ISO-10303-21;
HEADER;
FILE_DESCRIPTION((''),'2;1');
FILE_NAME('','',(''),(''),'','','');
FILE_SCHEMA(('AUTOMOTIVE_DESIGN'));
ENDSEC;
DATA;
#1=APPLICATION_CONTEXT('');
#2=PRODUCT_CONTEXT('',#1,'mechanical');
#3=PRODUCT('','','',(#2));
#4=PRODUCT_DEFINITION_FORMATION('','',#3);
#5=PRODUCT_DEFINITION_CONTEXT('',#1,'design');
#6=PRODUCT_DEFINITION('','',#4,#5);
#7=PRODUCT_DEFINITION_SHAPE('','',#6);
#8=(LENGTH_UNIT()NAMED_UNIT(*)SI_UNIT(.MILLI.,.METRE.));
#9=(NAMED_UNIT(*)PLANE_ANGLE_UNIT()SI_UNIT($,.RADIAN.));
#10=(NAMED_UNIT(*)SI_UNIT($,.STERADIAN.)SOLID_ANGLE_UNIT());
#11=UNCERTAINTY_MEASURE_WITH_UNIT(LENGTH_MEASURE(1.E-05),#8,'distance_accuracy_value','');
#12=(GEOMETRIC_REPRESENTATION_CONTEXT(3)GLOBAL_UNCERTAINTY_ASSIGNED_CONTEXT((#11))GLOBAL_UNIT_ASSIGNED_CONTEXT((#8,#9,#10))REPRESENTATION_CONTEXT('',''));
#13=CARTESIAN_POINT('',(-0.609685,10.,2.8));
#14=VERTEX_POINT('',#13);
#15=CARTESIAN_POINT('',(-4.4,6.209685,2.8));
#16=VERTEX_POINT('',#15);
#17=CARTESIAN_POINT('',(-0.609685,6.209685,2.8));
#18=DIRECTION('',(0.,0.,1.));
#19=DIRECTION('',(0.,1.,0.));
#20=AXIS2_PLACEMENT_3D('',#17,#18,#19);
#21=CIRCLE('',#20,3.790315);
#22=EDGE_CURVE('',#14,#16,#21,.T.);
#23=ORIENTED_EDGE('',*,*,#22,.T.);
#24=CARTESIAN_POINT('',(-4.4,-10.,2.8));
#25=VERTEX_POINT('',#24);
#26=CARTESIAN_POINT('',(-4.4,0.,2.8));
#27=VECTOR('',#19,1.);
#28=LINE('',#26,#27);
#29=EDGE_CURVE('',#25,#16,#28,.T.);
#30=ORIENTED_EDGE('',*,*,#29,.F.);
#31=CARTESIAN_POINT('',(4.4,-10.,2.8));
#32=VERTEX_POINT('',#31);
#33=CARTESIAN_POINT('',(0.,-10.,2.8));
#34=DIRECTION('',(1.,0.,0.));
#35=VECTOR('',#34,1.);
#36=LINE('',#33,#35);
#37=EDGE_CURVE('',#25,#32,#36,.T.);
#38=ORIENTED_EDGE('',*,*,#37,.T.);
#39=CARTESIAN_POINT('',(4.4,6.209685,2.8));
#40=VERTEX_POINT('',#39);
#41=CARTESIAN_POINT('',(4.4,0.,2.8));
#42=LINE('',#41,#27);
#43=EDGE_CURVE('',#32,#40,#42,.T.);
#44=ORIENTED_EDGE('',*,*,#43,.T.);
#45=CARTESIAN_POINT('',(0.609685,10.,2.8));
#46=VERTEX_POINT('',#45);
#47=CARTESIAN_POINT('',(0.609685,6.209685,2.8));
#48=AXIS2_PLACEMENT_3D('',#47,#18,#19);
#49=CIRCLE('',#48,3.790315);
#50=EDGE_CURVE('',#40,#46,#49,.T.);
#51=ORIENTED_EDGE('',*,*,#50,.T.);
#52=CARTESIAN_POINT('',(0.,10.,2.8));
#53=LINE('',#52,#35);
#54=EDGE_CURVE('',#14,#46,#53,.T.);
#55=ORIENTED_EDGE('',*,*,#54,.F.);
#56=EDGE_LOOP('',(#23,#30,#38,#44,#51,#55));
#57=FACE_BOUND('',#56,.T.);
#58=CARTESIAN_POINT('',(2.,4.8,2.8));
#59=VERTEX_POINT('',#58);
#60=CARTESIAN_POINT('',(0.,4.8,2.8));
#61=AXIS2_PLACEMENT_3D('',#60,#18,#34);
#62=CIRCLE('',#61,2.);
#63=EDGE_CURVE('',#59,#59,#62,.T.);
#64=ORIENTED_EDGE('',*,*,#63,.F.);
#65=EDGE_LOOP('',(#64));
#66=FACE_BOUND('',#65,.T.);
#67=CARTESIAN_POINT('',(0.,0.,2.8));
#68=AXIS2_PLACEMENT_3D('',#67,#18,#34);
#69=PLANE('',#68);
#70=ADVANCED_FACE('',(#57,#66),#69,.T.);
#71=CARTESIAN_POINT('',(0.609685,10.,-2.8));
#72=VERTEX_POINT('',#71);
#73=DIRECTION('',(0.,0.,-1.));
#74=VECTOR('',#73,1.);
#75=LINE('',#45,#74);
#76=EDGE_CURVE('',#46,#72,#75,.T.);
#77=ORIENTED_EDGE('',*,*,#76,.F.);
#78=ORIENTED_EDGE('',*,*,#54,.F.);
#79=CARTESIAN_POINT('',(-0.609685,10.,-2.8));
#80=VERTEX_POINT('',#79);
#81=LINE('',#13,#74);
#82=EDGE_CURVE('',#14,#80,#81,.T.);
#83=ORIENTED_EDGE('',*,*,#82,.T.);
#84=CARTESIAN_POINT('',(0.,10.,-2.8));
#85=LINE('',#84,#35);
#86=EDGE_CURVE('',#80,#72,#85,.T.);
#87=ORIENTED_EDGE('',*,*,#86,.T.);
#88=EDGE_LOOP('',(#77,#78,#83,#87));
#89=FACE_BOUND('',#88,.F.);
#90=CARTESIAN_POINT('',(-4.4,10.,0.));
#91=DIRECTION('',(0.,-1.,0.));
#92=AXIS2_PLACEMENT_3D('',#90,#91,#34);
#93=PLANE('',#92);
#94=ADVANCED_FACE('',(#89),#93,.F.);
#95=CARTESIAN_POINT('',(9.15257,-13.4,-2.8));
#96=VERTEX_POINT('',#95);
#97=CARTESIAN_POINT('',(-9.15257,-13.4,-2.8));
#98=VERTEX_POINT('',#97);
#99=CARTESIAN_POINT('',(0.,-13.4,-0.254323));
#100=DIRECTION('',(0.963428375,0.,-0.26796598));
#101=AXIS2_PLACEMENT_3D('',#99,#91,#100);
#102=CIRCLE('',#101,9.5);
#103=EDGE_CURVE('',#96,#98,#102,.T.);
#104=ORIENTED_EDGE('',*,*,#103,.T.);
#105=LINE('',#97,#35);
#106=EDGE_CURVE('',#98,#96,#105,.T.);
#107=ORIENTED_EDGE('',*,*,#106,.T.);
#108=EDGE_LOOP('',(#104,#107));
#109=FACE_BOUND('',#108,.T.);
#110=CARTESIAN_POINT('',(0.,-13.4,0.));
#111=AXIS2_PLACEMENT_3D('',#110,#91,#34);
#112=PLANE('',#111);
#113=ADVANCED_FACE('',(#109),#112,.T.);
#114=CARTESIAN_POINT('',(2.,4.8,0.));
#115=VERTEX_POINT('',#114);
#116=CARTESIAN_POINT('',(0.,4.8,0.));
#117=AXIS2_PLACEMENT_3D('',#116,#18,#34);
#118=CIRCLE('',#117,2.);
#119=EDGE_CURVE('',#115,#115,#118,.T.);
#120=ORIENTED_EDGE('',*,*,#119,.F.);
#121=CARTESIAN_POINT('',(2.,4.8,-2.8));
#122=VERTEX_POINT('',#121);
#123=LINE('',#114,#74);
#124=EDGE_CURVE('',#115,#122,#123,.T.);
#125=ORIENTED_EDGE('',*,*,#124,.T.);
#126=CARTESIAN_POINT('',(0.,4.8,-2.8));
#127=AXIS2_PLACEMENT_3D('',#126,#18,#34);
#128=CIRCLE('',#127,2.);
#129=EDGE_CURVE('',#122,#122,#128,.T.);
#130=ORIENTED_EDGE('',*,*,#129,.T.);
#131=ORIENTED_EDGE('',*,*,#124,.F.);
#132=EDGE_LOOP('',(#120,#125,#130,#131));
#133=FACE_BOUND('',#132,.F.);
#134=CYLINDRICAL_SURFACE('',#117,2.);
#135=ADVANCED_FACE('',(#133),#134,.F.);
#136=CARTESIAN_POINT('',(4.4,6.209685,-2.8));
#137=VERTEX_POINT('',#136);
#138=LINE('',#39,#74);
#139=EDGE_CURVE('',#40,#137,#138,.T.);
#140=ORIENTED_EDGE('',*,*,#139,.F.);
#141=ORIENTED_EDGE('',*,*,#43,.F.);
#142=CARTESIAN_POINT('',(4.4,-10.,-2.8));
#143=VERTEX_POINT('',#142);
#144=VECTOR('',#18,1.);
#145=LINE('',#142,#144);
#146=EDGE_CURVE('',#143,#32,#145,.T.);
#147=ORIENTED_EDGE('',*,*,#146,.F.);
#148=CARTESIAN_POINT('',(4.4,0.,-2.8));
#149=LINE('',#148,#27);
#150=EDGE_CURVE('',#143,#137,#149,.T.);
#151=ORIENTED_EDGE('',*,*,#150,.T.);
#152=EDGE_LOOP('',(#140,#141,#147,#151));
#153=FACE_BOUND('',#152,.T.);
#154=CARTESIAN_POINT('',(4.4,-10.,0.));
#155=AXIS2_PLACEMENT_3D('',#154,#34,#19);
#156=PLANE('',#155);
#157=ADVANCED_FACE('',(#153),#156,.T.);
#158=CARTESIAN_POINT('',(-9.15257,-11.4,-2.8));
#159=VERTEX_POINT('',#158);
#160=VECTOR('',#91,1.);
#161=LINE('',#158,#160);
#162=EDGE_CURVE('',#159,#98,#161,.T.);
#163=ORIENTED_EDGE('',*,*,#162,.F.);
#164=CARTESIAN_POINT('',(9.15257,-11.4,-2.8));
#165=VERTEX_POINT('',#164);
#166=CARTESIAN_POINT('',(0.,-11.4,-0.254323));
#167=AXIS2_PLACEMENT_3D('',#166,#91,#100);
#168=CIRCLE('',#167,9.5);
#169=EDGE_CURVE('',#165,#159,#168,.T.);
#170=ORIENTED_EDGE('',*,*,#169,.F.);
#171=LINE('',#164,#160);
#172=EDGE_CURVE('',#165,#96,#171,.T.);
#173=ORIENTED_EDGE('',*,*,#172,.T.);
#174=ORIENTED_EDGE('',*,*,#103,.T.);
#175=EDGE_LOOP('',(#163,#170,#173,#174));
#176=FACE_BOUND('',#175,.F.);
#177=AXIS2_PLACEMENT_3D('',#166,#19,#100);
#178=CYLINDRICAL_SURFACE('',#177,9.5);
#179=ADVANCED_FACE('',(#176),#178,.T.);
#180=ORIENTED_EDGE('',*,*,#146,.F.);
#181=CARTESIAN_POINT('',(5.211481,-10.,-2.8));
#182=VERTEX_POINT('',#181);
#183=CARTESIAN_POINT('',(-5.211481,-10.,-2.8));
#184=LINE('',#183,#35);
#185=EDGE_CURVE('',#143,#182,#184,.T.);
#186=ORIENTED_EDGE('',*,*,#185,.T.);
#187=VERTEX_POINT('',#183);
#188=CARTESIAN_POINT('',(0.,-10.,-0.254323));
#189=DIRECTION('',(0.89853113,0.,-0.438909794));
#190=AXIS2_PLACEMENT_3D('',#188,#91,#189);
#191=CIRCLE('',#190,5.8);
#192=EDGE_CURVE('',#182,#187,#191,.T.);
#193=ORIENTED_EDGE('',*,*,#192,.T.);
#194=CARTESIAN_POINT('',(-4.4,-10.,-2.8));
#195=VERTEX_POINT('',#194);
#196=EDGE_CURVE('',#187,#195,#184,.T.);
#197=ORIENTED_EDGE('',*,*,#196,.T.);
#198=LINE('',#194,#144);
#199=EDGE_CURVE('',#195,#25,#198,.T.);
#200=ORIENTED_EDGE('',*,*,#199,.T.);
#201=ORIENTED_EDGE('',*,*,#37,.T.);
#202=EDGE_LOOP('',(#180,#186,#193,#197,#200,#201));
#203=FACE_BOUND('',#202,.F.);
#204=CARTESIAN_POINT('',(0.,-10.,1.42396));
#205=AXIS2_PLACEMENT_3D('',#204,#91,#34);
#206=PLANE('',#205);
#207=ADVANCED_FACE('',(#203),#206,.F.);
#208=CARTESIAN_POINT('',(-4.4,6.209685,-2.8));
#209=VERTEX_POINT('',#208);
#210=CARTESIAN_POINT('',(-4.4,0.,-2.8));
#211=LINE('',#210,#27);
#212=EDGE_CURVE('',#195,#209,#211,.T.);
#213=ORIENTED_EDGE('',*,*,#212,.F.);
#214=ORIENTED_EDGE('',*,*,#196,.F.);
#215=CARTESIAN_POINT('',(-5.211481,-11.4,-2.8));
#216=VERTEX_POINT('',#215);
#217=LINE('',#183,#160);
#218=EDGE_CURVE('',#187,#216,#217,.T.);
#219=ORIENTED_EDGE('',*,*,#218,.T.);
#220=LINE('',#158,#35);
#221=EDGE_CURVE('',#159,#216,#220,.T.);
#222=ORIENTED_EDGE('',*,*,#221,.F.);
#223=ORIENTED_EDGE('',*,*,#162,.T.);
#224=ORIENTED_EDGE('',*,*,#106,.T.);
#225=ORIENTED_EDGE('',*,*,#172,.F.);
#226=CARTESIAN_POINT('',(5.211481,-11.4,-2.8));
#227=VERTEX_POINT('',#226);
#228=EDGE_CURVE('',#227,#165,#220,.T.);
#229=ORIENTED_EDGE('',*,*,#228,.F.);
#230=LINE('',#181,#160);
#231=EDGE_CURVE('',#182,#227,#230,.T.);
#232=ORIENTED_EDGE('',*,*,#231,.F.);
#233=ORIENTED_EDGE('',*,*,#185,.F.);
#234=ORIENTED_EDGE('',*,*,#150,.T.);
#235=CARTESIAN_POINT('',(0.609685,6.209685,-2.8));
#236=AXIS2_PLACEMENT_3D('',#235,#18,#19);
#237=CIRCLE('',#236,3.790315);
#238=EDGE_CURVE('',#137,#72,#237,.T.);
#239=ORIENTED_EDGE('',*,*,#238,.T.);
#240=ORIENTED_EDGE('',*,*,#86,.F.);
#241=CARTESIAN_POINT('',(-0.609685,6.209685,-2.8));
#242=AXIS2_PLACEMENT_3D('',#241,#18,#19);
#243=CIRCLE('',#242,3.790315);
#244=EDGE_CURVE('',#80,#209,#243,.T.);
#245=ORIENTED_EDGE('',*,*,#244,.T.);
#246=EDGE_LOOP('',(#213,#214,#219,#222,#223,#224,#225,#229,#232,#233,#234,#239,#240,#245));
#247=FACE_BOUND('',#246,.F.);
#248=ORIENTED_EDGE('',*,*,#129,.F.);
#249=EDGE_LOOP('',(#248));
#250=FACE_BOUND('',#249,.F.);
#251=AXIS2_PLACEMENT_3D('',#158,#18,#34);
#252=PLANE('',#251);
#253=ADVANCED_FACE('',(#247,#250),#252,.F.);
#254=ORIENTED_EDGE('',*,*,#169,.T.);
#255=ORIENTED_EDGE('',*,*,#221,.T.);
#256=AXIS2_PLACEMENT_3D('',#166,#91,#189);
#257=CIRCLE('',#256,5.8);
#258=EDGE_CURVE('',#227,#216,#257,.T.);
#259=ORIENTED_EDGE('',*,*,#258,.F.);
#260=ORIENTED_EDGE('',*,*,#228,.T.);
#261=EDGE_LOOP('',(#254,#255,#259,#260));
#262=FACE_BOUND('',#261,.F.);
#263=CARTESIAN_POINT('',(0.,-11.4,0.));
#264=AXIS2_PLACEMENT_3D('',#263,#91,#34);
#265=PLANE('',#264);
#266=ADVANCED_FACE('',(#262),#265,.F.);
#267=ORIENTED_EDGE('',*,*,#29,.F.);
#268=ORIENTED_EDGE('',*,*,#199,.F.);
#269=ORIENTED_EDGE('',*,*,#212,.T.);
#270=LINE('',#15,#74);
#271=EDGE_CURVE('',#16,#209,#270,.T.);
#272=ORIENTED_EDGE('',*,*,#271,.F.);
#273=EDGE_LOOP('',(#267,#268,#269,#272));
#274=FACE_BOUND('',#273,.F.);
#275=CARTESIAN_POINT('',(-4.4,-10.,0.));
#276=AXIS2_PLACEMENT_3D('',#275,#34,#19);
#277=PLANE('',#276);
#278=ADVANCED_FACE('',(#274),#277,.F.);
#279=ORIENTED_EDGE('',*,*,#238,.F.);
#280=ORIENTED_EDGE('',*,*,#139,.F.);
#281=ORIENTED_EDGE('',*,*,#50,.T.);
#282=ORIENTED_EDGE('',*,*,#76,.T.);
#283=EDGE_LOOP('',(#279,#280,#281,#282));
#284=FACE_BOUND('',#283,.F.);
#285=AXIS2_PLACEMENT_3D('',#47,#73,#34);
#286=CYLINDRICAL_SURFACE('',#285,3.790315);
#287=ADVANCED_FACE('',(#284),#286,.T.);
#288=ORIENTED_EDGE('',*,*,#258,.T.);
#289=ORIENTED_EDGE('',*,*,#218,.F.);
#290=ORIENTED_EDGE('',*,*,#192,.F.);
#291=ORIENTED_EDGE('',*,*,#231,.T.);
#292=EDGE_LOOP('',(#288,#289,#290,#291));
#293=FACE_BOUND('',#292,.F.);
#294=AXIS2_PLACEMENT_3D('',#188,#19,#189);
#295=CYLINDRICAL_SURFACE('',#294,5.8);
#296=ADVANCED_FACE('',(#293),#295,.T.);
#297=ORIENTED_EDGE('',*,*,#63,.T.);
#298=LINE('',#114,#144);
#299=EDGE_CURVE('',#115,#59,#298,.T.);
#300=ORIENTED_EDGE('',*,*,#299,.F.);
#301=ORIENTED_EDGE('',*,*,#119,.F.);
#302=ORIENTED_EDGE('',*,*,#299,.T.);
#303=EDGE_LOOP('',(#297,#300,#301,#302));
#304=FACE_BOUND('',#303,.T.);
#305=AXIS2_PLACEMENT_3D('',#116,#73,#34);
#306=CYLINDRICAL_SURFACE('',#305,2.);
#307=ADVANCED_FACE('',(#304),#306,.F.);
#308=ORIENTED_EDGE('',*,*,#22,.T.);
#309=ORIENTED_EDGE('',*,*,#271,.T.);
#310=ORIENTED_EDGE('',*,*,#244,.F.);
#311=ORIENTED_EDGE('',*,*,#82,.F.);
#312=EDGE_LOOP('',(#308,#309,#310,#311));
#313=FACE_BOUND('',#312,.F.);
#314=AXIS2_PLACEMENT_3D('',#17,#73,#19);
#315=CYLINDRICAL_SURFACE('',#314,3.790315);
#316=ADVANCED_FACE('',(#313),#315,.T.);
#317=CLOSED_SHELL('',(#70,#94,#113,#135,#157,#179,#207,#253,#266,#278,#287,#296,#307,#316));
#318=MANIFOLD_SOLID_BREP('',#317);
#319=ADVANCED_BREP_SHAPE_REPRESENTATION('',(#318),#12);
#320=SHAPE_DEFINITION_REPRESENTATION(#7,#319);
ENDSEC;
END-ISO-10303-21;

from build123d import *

# Parameters (mm, degrees)
F0_W          = 8.8
F0_H          = 20
F0_R          = 2
F1_DEPTH      = 2.8
F1_DEPTH_BACK = 2.8
F2_W          = 8.8
F2_H          = 5.6
F3_DEPTH      = 1.4
F4_START      = 1.4
F4_DEPTH      = 2
F5_R          = 3.7903152929


with BuildPart() as f1:
    # F0 (on Top) → F1 (new body, two sides)
    with BuildSketch(Plane.XY) as f1_sk:
        Rectangle(F0_W, F0_H)
        with Locations((0, 4.8)):
            Circle(F0_R, mode=Mode.SUBTRACT)
    extrude(amount=F1_DEPTH)
    extrude(f1_sk.sketch, amount=-F1_DEPTH_BACK)

    # F2 (on face) → F3 (join)
    with BuildSketch(Plane.XZ.offset(10)):
        with BuildLine():
            Line((4.4, -2.8), (5.2114805567, -2.8))
            ThreePointArc((5.2114805567, -2.8), (0, 5.5456768073), (-5.2114805567, -2.8))
            Line((-5.2114805567, -2.8), (-4.4, -2.8))
            Line((-4.4, -2.8), (-4.4, 2.8))
            Line((-4.4, 2.8), (4.4, 2.8))
            Line((4.4, 2.8), (4.4, -2.8))
        make_face()
        Rectangle(F2_W, F2_H)
    extrude(amount=F3_DEPTH)

    # F2 (on face) → F4 (join)
    with BuildSketch(Plane.XZ.offset(10).offset(F4_START)):
        Rectangle(F2_W, F2_H)
        with BuildLine():
            Line((4.4, -2.8), (5.2114805567, -2.8))
            ThreePointArc((5.2114805567, -2.8), (0, 5.5456768073), (-5.2114805567, -2.8))
            Line((-5.2114805567, -2.8), (-4.4, -2.8))
            Line((-4.4, -2.8), (-4.4, 2.8))
            Line((-4.4, 2.8), (4.4, 2.8))
            Line((4.4, 2.8), (4.4, -2.8))
        make_face()
        with BuildLine():
            ThreePointArc((-5.2114805567, -2.8), (0, 5.5456768073), (5.2114805567, -2.8))
            Line((5.2114805567, -2.8), (9.1525695623, -2.8))
            ThreePointArc((9.1525695623, -2.8), (0, 9.2456768073), (-9.1525695623, -2.8))
            Line((-9.1525695623, -2.8), (-5.2114805567, -2.8))
        make_face()
    extrude(amount=F4_DEPTH)

    # F5
    f5_edges = [f1.edges().sort_by_distance(p)[0] for p in [
        (4.4, 10, 0),
        (-4.4, 10, 0),
    ]]
    fillet(f5_edges, radius=F5_R)


solid = f1.part
